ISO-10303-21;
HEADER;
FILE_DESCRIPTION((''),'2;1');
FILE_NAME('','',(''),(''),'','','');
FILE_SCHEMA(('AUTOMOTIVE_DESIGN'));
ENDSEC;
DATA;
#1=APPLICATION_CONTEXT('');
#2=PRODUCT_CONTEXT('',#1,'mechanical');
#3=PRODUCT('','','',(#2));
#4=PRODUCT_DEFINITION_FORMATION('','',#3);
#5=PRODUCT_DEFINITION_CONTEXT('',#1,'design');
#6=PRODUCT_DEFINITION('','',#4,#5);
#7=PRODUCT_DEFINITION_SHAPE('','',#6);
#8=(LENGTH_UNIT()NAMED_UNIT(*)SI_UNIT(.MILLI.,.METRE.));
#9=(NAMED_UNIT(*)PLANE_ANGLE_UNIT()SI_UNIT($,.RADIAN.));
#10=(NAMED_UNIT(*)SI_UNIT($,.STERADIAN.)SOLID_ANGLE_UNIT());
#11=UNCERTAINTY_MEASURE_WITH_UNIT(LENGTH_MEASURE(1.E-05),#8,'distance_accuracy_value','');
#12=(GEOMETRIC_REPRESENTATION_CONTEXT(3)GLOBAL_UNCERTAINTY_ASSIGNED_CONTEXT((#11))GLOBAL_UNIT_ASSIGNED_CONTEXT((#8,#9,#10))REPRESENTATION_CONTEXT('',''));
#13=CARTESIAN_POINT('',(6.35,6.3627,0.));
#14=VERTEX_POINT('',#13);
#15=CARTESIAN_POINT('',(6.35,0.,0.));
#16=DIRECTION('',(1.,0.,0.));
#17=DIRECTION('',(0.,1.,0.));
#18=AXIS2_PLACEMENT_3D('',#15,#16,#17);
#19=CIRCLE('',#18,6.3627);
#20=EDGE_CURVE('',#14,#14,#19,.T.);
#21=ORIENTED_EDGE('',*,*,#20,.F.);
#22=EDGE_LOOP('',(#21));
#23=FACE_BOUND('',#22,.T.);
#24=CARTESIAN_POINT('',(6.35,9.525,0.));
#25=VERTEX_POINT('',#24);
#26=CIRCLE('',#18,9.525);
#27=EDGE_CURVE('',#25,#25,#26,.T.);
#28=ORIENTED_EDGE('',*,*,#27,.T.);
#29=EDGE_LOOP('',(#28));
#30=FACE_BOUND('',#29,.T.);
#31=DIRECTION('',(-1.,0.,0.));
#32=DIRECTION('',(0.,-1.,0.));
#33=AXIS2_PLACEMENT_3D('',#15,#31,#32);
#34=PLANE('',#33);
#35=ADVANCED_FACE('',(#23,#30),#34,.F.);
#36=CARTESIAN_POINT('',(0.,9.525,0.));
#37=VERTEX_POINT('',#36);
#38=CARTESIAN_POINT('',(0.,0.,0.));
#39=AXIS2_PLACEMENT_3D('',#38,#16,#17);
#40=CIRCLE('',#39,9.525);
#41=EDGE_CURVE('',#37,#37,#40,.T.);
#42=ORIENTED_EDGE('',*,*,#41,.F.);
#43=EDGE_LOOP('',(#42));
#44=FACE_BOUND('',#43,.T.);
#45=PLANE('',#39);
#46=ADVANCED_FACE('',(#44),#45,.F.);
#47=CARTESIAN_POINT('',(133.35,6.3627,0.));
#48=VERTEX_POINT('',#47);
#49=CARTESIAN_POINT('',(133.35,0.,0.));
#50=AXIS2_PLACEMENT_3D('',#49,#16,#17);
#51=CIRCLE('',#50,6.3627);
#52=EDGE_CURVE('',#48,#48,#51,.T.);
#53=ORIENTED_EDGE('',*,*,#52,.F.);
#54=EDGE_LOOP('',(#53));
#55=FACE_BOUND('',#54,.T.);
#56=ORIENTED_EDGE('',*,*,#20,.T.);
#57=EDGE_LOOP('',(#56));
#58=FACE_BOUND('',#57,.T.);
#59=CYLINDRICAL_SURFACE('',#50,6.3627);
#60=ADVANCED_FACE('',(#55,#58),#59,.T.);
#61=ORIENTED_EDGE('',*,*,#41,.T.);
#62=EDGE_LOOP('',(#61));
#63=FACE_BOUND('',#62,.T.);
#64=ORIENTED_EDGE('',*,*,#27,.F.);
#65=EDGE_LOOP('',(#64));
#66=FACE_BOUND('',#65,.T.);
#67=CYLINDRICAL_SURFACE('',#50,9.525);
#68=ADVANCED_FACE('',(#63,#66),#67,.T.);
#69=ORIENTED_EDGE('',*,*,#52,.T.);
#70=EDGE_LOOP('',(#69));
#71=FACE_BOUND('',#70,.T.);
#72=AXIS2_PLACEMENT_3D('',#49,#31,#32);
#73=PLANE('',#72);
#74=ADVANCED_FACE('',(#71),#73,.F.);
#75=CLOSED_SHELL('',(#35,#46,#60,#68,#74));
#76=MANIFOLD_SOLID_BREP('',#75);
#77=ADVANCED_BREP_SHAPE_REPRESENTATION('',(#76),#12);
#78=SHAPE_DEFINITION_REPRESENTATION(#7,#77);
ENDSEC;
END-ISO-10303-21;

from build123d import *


with BuildPart() as part:
    # Sketch1 → Revolve1 (revolve)
    with BuildSketch(Plane.XY):
        Polygon((133.35, 0), (0, 0), (0, 9.525), (6.35, 9.525), (6.35, 6.3627), (133.35, 6.3627), align=None)
    revolve(axis=Axis((133.35, 0, 0), (-1, 0, 0)))


solid = part.part
